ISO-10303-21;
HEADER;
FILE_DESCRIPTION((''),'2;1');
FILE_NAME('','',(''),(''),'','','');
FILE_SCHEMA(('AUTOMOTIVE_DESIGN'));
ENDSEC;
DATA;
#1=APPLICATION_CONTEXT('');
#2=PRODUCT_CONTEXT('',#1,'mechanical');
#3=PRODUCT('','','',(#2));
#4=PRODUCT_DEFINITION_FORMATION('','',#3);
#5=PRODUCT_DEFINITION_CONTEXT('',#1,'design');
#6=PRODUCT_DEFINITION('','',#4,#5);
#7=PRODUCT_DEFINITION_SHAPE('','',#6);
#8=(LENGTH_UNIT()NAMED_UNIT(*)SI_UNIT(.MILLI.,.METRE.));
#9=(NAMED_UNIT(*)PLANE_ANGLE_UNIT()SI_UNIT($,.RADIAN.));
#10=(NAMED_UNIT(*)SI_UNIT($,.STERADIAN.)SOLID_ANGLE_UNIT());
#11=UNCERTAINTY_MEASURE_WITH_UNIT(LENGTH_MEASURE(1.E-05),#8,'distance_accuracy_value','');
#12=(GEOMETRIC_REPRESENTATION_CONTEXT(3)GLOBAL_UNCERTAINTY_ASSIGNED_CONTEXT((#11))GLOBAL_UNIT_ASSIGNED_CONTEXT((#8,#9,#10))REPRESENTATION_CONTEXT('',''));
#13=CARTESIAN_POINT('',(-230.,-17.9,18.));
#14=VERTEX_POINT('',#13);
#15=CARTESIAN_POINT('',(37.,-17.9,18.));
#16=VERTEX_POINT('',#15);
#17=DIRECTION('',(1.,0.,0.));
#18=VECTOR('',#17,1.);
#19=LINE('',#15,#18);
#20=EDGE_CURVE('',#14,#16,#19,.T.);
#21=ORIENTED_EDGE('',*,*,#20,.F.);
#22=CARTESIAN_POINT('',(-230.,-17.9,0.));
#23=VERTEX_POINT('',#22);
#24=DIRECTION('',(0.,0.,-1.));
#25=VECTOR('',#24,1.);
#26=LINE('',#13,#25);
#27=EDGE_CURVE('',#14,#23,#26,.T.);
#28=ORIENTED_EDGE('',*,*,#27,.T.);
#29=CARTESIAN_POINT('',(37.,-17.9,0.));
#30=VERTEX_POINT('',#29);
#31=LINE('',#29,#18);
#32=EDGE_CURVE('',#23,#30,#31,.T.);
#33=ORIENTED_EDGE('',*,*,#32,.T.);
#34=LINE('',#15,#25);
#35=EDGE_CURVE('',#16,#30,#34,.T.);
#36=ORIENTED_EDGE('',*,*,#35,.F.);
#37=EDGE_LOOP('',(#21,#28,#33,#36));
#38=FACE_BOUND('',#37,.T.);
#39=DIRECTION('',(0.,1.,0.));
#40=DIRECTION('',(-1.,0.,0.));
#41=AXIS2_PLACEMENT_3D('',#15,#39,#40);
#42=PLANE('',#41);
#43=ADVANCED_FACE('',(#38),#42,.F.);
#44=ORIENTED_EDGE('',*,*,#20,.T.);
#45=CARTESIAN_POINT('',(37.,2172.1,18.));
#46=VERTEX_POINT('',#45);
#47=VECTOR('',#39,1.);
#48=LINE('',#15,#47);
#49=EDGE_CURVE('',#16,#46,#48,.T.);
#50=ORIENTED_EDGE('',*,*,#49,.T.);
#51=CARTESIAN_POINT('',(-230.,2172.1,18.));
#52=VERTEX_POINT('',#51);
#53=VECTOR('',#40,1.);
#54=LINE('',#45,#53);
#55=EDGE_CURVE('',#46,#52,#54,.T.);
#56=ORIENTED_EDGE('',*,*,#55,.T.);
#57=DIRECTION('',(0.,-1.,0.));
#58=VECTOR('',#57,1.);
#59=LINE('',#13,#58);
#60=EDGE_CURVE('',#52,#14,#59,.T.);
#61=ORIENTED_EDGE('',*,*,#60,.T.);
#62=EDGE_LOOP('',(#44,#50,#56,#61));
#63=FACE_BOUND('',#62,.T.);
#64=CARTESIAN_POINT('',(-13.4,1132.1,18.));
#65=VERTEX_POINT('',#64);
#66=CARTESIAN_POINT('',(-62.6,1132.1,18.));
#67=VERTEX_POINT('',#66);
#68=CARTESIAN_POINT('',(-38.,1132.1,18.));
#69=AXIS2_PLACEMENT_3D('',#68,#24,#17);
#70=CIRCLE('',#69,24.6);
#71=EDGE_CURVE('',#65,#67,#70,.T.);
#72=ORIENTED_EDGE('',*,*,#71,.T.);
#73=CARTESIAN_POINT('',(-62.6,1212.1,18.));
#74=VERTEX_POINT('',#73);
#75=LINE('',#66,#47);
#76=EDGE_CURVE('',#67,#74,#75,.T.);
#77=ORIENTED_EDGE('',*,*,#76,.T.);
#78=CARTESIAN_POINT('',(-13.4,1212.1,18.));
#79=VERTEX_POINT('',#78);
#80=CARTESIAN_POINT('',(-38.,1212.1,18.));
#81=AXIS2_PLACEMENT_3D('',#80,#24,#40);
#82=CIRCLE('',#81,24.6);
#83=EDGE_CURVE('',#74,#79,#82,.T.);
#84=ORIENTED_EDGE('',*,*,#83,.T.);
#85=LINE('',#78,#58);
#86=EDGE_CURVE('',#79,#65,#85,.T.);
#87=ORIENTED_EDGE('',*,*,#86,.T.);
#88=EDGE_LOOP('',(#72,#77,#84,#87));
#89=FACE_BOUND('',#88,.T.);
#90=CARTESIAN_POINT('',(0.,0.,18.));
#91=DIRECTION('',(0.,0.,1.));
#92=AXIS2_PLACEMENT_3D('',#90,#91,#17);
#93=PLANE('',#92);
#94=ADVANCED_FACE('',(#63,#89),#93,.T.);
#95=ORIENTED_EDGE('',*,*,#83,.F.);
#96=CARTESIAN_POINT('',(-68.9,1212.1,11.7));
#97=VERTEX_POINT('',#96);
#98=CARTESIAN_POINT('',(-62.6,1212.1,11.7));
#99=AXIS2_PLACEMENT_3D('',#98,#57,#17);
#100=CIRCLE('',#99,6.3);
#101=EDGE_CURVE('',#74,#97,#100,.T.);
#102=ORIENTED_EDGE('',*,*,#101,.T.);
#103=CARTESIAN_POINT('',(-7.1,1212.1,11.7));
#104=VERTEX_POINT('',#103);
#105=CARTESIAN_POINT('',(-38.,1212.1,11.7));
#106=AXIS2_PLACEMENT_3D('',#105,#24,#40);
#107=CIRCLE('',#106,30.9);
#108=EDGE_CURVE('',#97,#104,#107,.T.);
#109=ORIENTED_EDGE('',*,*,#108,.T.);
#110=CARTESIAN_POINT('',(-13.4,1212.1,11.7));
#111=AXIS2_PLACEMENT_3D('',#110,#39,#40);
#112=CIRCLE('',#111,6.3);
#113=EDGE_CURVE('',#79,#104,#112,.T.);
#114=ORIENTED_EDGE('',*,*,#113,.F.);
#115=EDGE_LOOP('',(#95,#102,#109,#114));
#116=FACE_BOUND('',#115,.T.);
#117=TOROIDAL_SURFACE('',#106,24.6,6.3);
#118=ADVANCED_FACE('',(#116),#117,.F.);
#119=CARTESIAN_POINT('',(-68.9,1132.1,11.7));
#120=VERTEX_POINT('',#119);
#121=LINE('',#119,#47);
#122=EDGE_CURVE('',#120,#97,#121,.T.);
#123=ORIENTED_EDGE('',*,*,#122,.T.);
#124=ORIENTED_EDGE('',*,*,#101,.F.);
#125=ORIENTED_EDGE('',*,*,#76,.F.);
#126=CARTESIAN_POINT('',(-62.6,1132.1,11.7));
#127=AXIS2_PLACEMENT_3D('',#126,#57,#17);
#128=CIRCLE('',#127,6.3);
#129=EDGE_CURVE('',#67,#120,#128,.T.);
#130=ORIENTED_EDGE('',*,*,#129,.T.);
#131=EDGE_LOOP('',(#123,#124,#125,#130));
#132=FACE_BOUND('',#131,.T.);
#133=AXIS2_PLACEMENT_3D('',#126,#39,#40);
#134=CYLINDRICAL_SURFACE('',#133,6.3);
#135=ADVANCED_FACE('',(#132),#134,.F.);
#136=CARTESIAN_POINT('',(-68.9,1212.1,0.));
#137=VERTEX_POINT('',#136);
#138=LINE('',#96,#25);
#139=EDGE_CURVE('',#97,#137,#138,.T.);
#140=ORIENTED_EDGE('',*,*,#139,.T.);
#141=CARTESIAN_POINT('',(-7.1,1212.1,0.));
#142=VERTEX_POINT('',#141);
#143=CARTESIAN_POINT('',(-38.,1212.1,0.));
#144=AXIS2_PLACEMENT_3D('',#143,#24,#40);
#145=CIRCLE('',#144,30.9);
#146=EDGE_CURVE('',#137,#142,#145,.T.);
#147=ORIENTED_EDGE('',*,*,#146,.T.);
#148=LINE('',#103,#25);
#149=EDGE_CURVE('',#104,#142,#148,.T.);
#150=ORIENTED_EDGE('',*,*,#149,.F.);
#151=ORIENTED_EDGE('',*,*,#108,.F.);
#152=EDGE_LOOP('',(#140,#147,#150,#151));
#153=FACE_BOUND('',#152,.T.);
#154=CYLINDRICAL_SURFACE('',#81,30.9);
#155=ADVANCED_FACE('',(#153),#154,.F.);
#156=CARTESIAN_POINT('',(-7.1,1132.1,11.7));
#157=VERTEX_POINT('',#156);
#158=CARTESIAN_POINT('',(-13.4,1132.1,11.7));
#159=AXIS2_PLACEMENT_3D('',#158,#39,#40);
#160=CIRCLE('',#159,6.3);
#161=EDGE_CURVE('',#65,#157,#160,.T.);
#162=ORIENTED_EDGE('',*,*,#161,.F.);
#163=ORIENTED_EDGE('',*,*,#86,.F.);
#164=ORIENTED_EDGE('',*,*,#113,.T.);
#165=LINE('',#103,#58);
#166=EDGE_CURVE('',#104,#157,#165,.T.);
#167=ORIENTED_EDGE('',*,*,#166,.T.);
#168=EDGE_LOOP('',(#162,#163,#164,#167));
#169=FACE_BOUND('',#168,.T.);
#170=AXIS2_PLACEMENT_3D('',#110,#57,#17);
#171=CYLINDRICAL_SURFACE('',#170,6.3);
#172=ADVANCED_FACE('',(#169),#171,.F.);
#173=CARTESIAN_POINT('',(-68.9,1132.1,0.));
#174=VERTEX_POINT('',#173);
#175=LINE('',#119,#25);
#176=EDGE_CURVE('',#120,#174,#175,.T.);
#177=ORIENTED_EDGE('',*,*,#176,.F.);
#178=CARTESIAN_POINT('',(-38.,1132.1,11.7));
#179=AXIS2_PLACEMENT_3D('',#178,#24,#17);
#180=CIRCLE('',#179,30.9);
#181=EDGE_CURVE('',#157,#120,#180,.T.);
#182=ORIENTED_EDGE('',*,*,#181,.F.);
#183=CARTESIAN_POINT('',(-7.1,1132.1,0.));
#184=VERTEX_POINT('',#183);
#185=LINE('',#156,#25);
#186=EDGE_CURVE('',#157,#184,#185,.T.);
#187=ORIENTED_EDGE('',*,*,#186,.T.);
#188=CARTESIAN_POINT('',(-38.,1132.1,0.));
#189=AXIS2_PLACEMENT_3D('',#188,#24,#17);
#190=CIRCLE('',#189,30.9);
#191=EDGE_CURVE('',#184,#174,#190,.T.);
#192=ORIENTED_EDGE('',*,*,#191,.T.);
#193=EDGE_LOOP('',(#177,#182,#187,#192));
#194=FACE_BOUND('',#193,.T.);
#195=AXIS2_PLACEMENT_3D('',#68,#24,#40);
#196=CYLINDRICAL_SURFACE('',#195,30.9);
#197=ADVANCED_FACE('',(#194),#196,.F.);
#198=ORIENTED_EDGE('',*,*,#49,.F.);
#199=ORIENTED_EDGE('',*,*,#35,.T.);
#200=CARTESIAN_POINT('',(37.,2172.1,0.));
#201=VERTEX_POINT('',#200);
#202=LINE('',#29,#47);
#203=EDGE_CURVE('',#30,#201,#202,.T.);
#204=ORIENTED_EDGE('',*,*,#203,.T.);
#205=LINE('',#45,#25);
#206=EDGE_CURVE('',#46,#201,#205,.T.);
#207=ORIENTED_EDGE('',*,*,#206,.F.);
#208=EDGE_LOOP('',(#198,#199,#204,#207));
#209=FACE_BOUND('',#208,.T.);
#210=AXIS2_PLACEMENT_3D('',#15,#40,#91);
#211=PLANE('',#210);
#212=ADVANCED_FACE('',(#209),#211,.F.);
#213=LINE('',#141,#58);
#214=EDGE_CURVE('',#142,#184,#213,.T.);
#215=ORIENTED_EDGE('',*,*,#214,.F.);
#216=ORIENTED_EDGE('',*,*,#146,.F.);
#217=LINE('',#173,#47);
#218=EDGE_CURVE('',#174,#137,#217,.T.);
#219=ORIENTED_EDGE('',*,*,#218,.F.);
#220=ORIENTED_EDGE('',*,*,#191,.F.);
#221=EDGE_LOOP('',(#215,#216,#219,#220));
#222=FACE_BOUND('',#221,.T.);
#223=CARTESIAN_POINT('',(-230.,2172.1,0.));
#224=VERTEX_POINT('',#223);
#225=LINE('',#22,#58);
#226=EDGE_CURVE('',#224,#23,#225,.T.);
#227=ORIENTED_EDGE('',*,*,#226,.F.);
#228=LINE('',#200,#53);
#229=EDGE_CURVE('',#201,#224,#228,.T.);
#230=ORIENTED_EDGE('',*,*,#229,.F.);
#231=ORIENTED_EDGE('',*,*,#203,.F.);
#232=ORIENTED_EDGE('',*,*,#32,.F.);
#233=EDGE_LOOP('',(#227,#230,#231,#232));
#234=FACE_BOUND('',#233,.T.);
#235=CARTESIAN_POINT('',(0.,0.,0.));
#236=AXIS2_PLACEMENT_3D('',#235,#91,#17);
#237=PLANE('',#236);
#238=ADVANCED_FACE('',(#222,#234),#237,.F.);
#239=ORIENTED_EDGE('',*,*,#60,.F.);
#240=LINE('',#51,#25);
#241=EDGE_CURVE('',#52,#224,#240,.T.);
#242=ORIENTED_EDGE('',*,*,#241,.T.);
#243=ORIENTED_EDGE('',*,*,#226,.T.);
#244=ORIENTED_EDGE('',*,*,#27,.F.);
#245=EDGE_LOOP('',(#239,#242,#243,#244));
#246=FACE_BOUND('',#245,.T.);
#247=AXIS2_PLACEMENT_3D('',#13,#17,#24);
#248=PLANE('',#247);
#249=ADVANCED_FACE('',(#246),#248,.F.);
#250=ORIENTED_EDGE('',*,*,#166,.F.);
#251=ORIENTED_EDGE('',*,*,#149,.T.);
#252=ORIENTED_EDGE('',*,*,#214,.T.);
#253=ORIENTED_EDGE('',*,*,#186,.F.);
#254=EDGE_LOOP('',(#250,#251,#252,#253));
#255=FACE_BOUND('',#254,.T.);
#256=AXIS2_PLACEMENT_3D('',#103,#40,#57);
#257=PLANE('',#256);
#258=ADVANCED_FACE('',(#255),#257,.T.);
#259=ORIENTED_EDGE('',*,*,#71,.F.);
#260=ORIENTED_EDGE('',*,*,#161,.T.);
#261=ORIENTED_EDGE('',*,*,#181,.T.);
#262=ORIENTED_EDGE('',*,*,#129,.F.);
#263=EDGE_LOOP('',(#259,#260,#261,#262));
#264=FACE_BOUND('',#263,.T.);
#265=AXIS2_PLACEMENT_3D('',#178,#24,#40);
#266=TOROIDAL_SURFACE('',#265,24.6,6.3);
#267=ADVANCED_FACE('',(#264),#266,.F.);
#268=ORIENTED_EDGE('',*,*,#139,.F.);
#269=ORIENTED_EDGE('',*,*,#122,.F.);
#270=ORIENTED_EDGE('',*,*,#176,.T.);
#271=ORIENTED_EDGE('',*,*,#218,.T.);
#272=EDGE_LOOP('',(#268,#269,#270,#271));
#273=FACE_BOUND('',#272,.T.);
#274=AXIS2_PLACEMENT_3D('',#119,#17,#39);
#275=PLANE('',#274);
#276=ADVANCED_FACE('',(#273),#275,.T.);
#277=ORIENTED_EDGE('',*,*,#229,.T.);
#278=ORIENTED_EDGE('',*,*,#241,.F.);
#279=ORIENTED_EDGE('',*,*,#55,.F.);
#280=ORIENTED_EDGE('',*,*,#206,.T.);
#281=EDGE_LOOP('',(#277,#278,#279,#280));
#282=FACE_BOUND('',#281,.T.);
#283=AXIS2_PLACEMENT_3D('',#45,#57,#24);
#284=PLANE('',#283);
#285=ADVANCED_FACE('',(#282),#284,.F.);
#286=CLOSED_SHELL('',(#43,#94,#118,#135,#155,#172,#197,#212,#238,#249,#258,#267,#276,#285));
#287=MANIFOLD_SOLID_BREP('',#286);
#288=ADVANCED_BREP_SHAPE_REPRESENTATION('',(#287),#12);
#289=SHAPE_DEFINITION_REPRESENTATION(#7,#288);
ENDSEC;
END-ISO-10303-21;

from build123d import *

# Parameters (mm, degrees)
SKETCH1_W           = 267
SKETCH1_H           = 2190
BOSS_EXTRUDE1_DEPTH = 18
CUT_EXTRUDE2_DEPTH  = 2185.317378496


with BuildPart() as part:
    # Sketch1 → Boss-Extrude1 (new body)
    with BuildSketch(Plane.XY):
        with Locations((-96.5, 1077.1)):
            Rectangle(SKETCH1_W, SKETCH1_H)
    extrude(amount=BOSS_EXTRUDE1_DEPTH)

    # Sketch2 → Cut-Extrude2 (cut, through all)
    with BuildSketch(Plane(origin=(0, 0, 0), x_dir=(-1, 0, 0), z_dir=(0, 0, -1))):
        with BuildLine():
            Line((58, 1212.1), (58, 1132.1))
            ThreePointArc((58, 1132.1), (38, 1112.1), (18, 1132.1))
            Line((18, 1132.1), (18, 1212.1))
            ThreePointArc((18, 1212.1), (38, 1232.1), (58, 1212.1))
        make_face()
    extrude(amount=-CUT_EXTRUDE2_DEPTH, mode=Mode.SUBTRACT)

    # Cut-Sweep4: sweep along a path in Sketch6
    with BuildLine(Plane.XY.offset(18)) as cut_sweep4_path:
        Line((-58, 1212.1), (-58, 1132.1))
        ThreePointArc((-58, 1132.1), (-38, 1112.1), (-18, 1132.1))
        Line((-18, 1132.1), (-18, 1212.1))
        ThreePointArc((-18, 1212.1), (-38, 1232.1), (-58, 1212.1))
    # Sketch5 → Cut-Sweep4 (sweep, cut)
    with BuildSketch(Plane(origin=(0, 1212.1, 0), x_dir=(0, 0, -1), z_dir=(0, -1, 0))):
        with BuildLine():
            Line((0, -62.6), (0, -68.9))
            Line((0, -68.9), (-11.7, -68.9))
            ThreePointArc((-11.7, -68.9), (-16.154772721, -67.054772721), (-18, -62.6))
            Line((-18, -62.6), (-18, -58))
            Line((-18, -58), (0, -58))
            Line((0, -58), (0, -62.6))
        make_face()
    sweep(path=cut_sweep4_path.line, mode=Mode.SUBTRACT)


solid = part.part
